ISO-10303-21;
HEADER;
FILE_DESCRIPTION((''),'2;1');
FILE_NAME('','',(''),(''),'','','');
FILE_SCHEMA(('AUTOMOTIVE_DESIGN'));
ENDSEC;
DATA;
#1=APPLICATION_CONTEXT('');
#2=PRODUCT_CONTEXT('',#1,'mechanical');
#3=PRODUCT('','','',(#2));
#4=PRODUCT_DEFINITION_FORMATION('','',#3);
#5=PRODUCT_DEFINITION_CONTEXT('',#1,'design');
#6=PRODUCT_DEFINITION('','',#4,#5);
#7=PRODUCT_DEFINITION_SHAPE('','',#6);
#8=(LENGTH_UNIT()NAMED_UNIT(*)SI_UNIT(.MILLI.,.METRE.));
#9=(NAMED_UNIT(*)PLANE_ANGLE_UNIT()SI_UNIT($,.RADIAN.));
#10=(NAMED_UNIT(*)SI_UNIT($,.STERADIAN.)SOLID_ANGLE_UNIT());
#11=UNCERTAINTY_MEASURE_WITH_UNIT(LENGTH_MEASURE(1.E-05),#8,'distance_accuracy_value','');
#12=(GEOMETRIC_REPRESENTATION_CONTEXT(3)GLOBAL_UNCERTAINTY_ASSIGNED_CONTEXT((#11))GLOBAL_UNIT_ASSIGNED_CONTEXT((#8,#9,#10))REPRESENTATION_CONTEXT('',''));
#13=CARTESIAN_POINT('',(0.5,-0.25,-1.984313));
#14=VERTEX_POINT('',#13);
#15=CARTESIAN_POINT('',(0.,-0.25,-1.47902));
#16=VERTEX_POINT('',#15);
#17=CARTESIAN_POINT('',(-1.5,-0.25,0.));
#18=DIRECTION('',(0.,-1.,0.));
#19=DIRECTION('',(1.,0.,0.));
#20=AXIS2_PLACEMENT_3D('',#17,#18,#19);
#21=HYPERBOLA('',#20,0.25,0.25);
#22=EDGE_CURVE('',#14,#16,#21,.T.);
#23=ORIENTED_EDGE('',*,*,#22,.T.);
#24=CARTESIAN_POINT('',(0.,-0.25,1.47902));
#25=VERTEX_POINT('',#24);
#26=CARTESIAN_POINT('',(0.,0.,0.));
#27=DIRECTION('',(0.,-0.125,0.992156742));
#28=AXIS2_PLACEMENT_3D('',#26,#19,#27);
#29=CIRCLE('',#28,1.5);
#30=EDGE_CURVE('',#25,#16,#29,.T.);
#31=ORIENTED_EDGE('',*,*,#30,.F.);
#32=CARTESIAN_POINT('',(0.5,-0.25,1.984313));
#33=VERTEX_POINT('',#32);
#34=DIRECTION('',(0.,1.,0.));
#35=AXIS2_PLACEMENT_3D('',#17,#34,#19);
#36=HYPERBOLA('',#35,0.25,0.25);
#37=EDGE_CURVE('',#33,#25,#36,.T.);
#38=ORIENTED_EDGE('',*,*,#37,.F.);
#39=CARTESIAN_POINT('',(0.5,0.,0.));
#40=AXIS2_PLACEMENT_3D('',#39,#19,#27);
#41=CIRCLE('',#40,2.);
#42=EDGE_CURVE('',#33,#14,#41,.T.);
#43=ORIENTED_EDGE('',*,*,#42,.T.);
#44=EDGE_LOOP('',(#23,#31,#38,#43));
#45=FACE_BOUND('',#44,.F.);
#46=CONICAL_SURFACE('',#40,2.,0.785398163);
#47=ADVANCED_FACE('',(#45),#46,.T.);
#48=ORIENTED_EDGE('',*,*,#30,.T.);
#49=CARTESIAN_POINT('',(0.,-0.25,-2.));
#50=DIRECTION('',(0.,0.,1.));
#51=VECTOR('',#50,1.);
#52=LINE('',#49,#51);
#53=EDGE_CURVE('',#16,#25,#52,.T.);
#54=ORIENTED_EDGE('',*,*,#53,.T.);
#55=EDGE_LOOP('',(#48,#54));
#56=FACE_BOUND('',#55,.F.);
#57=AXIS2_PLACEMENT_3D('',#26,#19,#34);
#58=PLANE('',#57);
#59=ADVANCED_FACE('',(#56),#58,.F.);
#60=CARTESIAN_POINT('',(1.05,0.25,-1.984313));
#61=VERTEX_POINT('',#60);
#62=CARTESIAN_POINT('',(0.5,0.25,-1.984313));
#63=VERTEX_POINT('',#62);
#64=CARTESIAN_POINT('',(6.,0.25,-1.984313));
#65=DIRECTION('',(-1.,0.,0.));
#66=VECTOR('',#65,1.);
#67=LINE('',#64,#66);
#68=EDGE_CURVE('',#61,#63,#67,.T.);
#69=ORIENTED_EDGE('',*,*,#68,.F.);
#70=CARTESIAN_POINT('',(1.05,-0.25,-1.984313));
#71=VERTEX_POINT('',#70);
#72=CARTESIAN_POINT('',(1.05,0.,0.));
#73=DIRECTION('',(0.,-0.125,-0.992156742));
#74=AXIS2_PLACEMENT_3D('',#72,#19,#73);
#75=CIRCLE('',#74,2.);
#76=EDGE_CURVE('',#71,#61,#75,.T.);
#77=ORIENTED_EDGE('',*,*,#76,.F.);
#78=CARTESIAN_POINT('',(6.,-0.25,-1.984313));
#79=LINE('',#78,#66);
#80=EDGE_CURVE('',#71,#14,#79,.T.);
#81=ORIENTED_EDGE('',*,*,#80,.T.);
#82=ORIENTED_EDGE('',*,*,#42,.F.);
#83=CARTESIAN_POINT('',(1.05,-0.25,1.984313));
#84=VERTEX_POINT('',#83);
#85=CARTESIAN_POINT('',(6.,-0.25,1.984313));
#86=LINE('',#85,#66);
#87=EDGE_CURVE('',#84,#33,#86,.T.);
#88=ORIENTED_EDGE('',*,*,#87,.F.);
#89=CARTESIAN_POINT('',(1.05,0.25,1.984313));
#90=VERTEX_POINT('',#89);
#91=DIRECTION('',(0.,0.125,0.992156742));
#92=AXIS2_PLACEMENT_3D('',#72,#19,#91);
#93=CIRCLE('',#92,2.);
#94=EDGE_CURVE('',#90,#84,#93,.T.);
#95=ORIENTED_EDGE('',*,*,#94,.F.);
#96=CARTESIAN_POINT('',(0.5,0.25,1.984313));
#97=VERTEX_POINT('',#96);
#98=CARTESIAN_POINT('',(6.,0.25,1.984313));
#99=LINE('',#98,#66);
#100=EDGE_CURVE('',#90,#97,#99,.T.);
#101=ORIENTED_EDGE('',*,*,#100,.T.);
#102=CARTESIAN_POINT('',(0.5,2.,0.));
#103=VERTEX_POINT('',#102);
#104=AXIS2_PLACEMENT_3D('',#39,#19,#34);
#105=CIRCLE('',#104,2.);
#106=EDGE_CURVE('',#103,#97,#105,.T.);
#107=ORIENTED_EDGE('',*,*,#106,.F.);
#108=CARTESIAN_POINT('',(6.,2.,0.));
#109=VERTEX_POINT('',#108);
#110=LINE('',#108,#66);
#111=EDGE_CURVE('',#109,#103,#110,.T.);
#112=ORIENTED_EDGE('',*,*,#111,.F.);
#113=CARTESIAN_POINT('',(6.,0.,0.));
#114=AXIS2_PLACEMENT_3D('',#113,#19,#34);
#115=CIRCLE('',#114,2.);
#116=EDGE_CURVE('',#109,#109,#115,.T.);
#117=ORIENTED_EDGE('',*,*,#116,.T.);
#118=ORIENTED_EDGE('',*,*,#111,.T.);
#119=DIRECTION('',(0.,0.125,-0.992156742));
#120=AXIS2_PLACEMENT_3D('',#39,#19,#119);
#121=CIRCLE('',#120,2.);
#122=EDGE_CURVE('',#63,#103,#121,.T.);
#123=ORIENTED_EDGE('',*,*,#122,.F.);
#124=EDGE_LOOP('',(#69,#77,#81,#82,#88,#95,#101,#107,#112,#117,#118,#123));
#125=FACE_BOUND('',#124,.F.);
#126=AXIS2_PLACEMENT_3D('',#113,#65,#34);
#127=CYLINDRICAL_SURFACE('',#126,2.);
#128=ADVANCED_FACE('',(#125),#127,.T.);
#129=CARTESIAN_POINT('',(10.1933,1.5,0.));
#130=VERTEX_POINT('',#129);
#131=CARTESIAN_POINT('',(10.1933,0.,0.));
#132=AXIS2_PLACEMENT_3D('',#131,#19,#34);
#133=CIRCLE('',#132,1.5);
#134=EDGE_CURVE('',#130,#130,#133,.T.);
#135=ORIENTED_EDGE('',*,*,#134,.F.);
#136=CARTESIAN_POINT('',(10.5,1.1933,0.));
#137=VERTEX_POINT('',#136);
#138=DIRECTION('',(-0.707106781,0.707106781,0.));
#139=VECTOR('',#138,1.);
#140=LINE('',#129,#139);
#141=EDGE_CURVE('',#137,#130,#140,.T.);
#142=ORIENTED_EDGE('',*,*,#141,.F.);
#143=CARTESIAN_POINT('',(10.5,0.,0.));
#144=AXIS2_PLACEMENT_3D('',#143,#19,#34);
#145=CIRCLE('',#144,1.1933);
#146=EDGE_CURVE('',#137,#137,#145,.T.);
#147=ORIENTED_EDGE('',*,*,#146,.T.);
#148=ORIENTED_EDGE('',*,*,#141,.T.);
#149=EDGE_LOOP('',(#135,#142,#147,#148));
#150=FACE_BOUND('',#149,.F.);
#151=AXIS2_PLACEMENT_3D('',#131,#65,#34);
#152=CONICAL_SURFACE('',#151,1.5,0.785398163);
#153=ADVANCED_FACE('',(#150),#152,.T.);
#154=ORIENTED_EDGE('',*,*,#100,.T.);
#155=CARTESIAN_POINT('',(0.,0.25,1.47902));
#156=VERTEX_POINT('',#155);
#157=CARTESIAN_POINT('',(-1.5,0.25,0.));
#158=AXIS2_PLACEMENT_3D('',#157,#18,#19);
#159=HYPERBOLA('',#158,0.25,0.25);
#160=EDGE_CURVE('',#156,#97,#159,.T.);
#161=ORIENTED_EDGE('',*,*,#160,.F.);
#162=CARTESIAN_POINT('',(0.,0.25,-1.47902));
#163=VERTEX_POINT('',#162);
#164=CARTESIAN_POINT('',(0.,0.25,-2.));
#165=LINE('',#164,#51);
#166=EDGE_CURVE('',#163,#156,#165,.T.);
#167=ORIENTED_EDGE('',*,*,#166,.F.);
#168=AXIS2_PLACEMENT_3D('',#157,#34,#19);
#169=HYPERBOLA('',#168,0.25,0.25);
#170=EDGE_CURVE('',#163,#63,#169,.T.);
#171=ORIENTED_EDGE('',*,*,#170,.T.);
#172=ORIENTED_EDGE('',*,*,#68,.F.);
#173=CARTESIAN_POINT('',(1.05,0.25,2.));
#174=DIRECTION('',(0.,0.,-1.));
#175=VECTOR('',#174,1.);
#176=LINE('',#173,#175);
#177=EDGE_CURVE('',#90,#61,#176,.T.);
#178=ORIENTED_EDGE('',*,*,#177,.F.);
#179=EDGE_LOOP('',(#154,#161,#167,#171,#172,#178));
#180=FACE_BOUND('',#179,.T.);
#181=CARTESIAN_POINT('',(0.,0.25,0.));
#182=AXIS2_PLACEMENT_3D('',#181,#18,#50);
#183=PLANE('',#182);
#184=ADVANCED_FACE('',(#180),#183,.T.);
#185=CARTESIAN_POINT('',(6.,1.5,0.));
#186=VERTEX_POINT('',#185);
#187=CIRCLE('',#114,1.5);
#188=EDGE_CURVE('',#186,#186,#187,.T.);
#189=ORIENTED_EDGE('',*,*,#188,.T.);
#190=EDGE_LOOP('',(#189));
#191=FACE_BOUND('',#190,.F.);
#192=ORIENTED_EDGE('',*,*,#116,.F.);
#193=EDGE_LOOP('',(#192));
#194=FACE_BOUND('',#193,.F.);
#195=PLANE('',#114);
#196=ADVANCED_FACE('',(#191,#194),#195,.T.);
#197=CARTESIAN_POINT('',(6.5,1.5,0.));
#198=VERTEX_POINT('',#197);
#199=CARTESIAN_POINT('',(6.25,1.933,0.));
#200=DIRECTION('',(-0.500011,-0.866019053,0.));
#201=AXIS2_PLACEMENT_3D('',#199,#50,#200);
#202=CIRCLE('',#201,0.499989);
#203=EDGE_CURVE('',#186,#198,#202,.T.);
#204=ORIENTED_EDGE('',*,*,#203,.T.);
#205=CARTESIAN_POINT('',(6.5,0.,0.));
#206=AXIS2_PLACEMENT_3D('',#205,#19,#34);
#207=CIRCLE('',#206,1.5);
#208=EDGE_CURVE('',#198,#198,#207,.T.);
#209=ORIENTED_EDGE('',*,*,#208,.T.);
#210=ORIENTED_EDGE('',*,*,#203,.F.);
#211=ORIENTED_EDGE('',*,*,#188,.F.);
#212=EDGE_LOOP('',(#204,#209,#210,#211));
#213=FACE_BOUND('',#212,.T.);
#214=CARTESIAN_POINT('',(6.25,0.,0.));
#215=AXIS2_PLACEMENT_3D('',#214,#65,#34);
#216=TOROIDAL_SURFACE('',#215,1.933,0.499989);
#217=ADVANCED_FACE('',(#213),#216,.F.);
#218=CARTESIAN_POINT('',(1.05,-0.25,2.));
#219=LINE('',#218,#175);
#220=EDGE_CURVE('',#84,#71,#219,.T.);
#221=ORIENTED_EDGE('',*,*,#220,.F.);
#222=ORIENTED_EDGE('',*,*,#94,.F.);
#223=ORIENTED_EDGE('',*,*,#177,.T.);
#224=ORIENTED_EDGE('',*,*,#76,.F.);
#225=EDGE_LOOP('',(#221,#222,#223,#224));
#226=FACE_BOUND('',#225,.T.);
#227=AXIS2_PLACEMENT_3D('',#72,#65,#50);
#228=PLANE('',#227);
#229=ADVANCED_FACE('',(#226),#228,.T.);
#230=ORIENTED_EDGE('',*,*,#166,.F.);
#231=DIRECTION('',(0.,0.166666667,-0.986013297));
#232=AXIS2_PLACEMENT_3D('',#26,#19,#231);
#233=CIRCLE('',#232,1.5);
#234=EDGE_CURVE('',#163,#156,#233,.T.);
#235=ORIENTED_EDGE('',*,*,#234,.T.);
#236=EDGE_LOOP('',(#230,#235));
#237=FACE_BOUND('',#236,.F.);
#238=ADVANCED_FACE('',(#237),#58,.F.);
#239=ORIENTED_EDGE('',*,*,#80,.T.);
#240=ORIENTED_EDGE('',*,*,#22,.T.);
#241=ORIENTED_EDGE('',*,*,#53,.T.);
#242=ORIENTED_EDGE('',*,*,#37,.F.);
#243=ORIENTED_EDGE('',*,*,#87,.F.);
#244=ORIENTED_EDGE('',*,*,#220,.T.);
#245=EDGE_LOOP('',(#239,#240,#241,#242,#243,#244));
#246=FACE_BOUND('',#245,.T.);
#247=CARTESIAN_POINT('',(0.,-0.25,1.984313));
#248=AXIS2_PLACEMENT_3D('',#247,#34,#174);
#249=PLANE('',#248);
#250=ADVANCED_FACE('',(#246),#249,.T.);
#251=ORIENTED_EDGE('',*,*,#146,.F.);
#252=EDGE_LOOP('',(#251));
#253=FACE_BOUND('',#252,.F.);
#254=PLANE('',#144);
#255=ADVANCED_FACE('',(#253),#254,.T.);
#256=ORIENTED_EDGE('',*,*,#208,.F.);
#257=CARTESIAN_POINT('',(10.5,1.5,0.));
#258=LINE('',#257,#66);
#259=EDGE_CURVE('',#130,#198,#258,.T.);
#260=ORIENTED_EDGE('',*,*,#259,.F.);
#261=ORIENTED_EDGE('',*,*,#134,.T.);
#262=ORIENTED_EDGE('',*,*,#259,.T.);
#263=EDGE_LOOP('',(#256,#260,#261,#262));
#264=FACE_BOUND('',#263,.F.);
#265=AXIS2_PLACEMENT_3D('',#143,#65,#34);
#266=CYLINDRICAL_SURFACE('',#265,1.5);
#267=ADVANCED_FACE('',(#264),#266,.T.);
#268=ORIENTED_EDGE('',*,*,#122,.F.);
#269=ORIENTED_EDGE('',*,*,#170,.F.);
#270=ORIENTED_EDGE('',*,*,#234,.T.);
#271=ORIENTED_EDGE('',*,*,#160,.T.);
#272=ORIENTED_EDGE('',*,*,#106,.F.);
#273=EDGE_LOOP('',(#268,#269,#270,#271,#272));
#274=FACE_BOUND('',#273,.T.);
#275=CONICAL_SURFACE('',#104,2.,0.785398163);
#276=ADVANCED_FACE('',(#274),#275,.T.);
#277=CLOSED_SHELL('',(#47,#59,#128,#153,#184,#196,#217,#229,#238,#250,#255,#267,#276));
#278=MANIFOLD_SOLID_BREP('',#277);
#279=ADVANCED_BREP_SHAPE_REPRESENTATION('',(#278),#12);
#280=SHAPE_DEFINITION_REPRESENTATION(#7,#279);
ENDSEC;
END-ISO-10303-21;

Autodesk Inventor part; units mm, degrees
ref_plane "YZ Plane" through (0, 0, 0) normal (1, 0, 0) x (0, 1, 0)
ref_plane "XZ Plane" through (0, 0, 0) normal (0, 1, 0) x (-1, 0, 0)
sketch "Skizze1" plane through (0, 0, 0) normal (0, 0, 1) x (1, 0, 0)
  line L0 (0, 0) -> (10.5, 0)
  line L1 (10.5, 0) -> (10.5, 1.5)
  line L2 (10.5, 1.5) -> (6, 1.5)
  line L3 (6, 1.5) -> (6, 2)
  line L4 (6, 2) -> (0, 2)
  line L5 (0, 2) -> (0, 0)
  line L6 (-2.1, 0) -> (12.6, 0) projected
  line L7 (0, -0.4) -> (0, 2.4) projected
  arc A0 (6, 1.5) -> (6.5, 1.5) centre (6.25, 1.933) ccw
  dimension "d0" = 6
  dimension "d1" = 4.5
  dimension "d2" = 3
  dimension "d3" = 4
  dimension "d14" = 0.5
  dimension "d15" = 0.5
revolve "Körper" add sketch "Skizze1" angle 360 about axis through (0, 0, 0) along (1, 0, 0)
sketch "Skizze2" plane through (0, 0, 0) normal (-1, 0, 0) x (0, 0, 1)
  circle A0 centre (0, 0) radius 2 projected
  line L0 (0, -2.8) -> (0, 2.8) projected
  line L1 (-2.8, 0) -> (2.8, 0) projected
  line L2 (-2, 0.25) -> (2, 0.25)
  line L3 (2, 0.25) -> (2, -0.25)
  line L4 (2, -0.25) -> (-2, -0.25)
  line L5 (-2, -0.25) -> (-2, 0.25)
  line L6 (-2, 0) -> (2, 0) construction
  line L7 (0, 0.25) -> (0, -0.25) construction
  dimension "d5" = 0.5
extrude "Loch" cut sketch "Skizze2" against normal blind 1.05 contours L1 L0 L2 A0 | L3 L4 A0 | A0 L4 L0 L1 | A0 L2 L3 | L1 A0 L2 L0 | L0 L4 A0 L1 | L5 L2 A0 | A0 L4 L5
chamfer "Fase1" distance 0.5 angle 45 3 edges at (0, 1.5, -1.3229) (0, 1.5, 1.3229) (0, -2, 0) measured on face at (4, -0.8596, 1.8058)
thread "Gewinde" size "M3x0.5" class "6g" standard "ISO Metric profile" length 4.5
chamfer "Fase2" distance 0.3067 distance2 0.3067 1 edges at (10.5, -1.5, 0) measured on face at (10.5, -0.533, -0.3123)
revolve "Nut1" cut sketch "Skizze1" angle 360 about axis through (0, 0, 0) along (1, 0, 0) contours A0 L2
ref_plane "Work Plane1" through (8, 0, 0) normal (0, 0, -1) x (1, 0, 0)
equation "\"d0\" = KOH"
equation "\"d1\" = GEL"
equation "\"d2\" = NND"
equation "\"d3\" = KOD"
equation "\"d14\" = SBR"
equation "\"d15\" = SBR"
equation "\"d5\" = SBR"
equation "\"d6\" = STI"
equation "\"d8\" = PHH"
equation "\"d19\" = PHH"
equation "\"d10\" = GEL"
equation "\"d12\" = -0.5 * GD1 + 0.5 * NND"
equation "\"d13\" = GUL"
equation "\"NND\" = 3"
equation "\"GEL\" = 4.5"
equation "\"KOD\" = 4"
equation "\"KOH\" = 6"
equation "\"SBR\" = 0.5"
equation "\"GUL\" = 0.61345 * PTC"
equation "\"PHH\" = 0.5"
equation "\"GD1\" = THREADDIA - 1.2269 * PTC"
equation "\"STI\" = 1.05"
equation "\"THREADDIA\" = 3"
equation "\"TOA\" = 30deg"
equation "\"NLG\" = GEL"
equation "\"PTC\" = 0.5"
equation "\"GAL\" = 0.61345 * PTC"
properties part number "DIN 927 - M3 x 6-14H" material "Stahl, weich"
